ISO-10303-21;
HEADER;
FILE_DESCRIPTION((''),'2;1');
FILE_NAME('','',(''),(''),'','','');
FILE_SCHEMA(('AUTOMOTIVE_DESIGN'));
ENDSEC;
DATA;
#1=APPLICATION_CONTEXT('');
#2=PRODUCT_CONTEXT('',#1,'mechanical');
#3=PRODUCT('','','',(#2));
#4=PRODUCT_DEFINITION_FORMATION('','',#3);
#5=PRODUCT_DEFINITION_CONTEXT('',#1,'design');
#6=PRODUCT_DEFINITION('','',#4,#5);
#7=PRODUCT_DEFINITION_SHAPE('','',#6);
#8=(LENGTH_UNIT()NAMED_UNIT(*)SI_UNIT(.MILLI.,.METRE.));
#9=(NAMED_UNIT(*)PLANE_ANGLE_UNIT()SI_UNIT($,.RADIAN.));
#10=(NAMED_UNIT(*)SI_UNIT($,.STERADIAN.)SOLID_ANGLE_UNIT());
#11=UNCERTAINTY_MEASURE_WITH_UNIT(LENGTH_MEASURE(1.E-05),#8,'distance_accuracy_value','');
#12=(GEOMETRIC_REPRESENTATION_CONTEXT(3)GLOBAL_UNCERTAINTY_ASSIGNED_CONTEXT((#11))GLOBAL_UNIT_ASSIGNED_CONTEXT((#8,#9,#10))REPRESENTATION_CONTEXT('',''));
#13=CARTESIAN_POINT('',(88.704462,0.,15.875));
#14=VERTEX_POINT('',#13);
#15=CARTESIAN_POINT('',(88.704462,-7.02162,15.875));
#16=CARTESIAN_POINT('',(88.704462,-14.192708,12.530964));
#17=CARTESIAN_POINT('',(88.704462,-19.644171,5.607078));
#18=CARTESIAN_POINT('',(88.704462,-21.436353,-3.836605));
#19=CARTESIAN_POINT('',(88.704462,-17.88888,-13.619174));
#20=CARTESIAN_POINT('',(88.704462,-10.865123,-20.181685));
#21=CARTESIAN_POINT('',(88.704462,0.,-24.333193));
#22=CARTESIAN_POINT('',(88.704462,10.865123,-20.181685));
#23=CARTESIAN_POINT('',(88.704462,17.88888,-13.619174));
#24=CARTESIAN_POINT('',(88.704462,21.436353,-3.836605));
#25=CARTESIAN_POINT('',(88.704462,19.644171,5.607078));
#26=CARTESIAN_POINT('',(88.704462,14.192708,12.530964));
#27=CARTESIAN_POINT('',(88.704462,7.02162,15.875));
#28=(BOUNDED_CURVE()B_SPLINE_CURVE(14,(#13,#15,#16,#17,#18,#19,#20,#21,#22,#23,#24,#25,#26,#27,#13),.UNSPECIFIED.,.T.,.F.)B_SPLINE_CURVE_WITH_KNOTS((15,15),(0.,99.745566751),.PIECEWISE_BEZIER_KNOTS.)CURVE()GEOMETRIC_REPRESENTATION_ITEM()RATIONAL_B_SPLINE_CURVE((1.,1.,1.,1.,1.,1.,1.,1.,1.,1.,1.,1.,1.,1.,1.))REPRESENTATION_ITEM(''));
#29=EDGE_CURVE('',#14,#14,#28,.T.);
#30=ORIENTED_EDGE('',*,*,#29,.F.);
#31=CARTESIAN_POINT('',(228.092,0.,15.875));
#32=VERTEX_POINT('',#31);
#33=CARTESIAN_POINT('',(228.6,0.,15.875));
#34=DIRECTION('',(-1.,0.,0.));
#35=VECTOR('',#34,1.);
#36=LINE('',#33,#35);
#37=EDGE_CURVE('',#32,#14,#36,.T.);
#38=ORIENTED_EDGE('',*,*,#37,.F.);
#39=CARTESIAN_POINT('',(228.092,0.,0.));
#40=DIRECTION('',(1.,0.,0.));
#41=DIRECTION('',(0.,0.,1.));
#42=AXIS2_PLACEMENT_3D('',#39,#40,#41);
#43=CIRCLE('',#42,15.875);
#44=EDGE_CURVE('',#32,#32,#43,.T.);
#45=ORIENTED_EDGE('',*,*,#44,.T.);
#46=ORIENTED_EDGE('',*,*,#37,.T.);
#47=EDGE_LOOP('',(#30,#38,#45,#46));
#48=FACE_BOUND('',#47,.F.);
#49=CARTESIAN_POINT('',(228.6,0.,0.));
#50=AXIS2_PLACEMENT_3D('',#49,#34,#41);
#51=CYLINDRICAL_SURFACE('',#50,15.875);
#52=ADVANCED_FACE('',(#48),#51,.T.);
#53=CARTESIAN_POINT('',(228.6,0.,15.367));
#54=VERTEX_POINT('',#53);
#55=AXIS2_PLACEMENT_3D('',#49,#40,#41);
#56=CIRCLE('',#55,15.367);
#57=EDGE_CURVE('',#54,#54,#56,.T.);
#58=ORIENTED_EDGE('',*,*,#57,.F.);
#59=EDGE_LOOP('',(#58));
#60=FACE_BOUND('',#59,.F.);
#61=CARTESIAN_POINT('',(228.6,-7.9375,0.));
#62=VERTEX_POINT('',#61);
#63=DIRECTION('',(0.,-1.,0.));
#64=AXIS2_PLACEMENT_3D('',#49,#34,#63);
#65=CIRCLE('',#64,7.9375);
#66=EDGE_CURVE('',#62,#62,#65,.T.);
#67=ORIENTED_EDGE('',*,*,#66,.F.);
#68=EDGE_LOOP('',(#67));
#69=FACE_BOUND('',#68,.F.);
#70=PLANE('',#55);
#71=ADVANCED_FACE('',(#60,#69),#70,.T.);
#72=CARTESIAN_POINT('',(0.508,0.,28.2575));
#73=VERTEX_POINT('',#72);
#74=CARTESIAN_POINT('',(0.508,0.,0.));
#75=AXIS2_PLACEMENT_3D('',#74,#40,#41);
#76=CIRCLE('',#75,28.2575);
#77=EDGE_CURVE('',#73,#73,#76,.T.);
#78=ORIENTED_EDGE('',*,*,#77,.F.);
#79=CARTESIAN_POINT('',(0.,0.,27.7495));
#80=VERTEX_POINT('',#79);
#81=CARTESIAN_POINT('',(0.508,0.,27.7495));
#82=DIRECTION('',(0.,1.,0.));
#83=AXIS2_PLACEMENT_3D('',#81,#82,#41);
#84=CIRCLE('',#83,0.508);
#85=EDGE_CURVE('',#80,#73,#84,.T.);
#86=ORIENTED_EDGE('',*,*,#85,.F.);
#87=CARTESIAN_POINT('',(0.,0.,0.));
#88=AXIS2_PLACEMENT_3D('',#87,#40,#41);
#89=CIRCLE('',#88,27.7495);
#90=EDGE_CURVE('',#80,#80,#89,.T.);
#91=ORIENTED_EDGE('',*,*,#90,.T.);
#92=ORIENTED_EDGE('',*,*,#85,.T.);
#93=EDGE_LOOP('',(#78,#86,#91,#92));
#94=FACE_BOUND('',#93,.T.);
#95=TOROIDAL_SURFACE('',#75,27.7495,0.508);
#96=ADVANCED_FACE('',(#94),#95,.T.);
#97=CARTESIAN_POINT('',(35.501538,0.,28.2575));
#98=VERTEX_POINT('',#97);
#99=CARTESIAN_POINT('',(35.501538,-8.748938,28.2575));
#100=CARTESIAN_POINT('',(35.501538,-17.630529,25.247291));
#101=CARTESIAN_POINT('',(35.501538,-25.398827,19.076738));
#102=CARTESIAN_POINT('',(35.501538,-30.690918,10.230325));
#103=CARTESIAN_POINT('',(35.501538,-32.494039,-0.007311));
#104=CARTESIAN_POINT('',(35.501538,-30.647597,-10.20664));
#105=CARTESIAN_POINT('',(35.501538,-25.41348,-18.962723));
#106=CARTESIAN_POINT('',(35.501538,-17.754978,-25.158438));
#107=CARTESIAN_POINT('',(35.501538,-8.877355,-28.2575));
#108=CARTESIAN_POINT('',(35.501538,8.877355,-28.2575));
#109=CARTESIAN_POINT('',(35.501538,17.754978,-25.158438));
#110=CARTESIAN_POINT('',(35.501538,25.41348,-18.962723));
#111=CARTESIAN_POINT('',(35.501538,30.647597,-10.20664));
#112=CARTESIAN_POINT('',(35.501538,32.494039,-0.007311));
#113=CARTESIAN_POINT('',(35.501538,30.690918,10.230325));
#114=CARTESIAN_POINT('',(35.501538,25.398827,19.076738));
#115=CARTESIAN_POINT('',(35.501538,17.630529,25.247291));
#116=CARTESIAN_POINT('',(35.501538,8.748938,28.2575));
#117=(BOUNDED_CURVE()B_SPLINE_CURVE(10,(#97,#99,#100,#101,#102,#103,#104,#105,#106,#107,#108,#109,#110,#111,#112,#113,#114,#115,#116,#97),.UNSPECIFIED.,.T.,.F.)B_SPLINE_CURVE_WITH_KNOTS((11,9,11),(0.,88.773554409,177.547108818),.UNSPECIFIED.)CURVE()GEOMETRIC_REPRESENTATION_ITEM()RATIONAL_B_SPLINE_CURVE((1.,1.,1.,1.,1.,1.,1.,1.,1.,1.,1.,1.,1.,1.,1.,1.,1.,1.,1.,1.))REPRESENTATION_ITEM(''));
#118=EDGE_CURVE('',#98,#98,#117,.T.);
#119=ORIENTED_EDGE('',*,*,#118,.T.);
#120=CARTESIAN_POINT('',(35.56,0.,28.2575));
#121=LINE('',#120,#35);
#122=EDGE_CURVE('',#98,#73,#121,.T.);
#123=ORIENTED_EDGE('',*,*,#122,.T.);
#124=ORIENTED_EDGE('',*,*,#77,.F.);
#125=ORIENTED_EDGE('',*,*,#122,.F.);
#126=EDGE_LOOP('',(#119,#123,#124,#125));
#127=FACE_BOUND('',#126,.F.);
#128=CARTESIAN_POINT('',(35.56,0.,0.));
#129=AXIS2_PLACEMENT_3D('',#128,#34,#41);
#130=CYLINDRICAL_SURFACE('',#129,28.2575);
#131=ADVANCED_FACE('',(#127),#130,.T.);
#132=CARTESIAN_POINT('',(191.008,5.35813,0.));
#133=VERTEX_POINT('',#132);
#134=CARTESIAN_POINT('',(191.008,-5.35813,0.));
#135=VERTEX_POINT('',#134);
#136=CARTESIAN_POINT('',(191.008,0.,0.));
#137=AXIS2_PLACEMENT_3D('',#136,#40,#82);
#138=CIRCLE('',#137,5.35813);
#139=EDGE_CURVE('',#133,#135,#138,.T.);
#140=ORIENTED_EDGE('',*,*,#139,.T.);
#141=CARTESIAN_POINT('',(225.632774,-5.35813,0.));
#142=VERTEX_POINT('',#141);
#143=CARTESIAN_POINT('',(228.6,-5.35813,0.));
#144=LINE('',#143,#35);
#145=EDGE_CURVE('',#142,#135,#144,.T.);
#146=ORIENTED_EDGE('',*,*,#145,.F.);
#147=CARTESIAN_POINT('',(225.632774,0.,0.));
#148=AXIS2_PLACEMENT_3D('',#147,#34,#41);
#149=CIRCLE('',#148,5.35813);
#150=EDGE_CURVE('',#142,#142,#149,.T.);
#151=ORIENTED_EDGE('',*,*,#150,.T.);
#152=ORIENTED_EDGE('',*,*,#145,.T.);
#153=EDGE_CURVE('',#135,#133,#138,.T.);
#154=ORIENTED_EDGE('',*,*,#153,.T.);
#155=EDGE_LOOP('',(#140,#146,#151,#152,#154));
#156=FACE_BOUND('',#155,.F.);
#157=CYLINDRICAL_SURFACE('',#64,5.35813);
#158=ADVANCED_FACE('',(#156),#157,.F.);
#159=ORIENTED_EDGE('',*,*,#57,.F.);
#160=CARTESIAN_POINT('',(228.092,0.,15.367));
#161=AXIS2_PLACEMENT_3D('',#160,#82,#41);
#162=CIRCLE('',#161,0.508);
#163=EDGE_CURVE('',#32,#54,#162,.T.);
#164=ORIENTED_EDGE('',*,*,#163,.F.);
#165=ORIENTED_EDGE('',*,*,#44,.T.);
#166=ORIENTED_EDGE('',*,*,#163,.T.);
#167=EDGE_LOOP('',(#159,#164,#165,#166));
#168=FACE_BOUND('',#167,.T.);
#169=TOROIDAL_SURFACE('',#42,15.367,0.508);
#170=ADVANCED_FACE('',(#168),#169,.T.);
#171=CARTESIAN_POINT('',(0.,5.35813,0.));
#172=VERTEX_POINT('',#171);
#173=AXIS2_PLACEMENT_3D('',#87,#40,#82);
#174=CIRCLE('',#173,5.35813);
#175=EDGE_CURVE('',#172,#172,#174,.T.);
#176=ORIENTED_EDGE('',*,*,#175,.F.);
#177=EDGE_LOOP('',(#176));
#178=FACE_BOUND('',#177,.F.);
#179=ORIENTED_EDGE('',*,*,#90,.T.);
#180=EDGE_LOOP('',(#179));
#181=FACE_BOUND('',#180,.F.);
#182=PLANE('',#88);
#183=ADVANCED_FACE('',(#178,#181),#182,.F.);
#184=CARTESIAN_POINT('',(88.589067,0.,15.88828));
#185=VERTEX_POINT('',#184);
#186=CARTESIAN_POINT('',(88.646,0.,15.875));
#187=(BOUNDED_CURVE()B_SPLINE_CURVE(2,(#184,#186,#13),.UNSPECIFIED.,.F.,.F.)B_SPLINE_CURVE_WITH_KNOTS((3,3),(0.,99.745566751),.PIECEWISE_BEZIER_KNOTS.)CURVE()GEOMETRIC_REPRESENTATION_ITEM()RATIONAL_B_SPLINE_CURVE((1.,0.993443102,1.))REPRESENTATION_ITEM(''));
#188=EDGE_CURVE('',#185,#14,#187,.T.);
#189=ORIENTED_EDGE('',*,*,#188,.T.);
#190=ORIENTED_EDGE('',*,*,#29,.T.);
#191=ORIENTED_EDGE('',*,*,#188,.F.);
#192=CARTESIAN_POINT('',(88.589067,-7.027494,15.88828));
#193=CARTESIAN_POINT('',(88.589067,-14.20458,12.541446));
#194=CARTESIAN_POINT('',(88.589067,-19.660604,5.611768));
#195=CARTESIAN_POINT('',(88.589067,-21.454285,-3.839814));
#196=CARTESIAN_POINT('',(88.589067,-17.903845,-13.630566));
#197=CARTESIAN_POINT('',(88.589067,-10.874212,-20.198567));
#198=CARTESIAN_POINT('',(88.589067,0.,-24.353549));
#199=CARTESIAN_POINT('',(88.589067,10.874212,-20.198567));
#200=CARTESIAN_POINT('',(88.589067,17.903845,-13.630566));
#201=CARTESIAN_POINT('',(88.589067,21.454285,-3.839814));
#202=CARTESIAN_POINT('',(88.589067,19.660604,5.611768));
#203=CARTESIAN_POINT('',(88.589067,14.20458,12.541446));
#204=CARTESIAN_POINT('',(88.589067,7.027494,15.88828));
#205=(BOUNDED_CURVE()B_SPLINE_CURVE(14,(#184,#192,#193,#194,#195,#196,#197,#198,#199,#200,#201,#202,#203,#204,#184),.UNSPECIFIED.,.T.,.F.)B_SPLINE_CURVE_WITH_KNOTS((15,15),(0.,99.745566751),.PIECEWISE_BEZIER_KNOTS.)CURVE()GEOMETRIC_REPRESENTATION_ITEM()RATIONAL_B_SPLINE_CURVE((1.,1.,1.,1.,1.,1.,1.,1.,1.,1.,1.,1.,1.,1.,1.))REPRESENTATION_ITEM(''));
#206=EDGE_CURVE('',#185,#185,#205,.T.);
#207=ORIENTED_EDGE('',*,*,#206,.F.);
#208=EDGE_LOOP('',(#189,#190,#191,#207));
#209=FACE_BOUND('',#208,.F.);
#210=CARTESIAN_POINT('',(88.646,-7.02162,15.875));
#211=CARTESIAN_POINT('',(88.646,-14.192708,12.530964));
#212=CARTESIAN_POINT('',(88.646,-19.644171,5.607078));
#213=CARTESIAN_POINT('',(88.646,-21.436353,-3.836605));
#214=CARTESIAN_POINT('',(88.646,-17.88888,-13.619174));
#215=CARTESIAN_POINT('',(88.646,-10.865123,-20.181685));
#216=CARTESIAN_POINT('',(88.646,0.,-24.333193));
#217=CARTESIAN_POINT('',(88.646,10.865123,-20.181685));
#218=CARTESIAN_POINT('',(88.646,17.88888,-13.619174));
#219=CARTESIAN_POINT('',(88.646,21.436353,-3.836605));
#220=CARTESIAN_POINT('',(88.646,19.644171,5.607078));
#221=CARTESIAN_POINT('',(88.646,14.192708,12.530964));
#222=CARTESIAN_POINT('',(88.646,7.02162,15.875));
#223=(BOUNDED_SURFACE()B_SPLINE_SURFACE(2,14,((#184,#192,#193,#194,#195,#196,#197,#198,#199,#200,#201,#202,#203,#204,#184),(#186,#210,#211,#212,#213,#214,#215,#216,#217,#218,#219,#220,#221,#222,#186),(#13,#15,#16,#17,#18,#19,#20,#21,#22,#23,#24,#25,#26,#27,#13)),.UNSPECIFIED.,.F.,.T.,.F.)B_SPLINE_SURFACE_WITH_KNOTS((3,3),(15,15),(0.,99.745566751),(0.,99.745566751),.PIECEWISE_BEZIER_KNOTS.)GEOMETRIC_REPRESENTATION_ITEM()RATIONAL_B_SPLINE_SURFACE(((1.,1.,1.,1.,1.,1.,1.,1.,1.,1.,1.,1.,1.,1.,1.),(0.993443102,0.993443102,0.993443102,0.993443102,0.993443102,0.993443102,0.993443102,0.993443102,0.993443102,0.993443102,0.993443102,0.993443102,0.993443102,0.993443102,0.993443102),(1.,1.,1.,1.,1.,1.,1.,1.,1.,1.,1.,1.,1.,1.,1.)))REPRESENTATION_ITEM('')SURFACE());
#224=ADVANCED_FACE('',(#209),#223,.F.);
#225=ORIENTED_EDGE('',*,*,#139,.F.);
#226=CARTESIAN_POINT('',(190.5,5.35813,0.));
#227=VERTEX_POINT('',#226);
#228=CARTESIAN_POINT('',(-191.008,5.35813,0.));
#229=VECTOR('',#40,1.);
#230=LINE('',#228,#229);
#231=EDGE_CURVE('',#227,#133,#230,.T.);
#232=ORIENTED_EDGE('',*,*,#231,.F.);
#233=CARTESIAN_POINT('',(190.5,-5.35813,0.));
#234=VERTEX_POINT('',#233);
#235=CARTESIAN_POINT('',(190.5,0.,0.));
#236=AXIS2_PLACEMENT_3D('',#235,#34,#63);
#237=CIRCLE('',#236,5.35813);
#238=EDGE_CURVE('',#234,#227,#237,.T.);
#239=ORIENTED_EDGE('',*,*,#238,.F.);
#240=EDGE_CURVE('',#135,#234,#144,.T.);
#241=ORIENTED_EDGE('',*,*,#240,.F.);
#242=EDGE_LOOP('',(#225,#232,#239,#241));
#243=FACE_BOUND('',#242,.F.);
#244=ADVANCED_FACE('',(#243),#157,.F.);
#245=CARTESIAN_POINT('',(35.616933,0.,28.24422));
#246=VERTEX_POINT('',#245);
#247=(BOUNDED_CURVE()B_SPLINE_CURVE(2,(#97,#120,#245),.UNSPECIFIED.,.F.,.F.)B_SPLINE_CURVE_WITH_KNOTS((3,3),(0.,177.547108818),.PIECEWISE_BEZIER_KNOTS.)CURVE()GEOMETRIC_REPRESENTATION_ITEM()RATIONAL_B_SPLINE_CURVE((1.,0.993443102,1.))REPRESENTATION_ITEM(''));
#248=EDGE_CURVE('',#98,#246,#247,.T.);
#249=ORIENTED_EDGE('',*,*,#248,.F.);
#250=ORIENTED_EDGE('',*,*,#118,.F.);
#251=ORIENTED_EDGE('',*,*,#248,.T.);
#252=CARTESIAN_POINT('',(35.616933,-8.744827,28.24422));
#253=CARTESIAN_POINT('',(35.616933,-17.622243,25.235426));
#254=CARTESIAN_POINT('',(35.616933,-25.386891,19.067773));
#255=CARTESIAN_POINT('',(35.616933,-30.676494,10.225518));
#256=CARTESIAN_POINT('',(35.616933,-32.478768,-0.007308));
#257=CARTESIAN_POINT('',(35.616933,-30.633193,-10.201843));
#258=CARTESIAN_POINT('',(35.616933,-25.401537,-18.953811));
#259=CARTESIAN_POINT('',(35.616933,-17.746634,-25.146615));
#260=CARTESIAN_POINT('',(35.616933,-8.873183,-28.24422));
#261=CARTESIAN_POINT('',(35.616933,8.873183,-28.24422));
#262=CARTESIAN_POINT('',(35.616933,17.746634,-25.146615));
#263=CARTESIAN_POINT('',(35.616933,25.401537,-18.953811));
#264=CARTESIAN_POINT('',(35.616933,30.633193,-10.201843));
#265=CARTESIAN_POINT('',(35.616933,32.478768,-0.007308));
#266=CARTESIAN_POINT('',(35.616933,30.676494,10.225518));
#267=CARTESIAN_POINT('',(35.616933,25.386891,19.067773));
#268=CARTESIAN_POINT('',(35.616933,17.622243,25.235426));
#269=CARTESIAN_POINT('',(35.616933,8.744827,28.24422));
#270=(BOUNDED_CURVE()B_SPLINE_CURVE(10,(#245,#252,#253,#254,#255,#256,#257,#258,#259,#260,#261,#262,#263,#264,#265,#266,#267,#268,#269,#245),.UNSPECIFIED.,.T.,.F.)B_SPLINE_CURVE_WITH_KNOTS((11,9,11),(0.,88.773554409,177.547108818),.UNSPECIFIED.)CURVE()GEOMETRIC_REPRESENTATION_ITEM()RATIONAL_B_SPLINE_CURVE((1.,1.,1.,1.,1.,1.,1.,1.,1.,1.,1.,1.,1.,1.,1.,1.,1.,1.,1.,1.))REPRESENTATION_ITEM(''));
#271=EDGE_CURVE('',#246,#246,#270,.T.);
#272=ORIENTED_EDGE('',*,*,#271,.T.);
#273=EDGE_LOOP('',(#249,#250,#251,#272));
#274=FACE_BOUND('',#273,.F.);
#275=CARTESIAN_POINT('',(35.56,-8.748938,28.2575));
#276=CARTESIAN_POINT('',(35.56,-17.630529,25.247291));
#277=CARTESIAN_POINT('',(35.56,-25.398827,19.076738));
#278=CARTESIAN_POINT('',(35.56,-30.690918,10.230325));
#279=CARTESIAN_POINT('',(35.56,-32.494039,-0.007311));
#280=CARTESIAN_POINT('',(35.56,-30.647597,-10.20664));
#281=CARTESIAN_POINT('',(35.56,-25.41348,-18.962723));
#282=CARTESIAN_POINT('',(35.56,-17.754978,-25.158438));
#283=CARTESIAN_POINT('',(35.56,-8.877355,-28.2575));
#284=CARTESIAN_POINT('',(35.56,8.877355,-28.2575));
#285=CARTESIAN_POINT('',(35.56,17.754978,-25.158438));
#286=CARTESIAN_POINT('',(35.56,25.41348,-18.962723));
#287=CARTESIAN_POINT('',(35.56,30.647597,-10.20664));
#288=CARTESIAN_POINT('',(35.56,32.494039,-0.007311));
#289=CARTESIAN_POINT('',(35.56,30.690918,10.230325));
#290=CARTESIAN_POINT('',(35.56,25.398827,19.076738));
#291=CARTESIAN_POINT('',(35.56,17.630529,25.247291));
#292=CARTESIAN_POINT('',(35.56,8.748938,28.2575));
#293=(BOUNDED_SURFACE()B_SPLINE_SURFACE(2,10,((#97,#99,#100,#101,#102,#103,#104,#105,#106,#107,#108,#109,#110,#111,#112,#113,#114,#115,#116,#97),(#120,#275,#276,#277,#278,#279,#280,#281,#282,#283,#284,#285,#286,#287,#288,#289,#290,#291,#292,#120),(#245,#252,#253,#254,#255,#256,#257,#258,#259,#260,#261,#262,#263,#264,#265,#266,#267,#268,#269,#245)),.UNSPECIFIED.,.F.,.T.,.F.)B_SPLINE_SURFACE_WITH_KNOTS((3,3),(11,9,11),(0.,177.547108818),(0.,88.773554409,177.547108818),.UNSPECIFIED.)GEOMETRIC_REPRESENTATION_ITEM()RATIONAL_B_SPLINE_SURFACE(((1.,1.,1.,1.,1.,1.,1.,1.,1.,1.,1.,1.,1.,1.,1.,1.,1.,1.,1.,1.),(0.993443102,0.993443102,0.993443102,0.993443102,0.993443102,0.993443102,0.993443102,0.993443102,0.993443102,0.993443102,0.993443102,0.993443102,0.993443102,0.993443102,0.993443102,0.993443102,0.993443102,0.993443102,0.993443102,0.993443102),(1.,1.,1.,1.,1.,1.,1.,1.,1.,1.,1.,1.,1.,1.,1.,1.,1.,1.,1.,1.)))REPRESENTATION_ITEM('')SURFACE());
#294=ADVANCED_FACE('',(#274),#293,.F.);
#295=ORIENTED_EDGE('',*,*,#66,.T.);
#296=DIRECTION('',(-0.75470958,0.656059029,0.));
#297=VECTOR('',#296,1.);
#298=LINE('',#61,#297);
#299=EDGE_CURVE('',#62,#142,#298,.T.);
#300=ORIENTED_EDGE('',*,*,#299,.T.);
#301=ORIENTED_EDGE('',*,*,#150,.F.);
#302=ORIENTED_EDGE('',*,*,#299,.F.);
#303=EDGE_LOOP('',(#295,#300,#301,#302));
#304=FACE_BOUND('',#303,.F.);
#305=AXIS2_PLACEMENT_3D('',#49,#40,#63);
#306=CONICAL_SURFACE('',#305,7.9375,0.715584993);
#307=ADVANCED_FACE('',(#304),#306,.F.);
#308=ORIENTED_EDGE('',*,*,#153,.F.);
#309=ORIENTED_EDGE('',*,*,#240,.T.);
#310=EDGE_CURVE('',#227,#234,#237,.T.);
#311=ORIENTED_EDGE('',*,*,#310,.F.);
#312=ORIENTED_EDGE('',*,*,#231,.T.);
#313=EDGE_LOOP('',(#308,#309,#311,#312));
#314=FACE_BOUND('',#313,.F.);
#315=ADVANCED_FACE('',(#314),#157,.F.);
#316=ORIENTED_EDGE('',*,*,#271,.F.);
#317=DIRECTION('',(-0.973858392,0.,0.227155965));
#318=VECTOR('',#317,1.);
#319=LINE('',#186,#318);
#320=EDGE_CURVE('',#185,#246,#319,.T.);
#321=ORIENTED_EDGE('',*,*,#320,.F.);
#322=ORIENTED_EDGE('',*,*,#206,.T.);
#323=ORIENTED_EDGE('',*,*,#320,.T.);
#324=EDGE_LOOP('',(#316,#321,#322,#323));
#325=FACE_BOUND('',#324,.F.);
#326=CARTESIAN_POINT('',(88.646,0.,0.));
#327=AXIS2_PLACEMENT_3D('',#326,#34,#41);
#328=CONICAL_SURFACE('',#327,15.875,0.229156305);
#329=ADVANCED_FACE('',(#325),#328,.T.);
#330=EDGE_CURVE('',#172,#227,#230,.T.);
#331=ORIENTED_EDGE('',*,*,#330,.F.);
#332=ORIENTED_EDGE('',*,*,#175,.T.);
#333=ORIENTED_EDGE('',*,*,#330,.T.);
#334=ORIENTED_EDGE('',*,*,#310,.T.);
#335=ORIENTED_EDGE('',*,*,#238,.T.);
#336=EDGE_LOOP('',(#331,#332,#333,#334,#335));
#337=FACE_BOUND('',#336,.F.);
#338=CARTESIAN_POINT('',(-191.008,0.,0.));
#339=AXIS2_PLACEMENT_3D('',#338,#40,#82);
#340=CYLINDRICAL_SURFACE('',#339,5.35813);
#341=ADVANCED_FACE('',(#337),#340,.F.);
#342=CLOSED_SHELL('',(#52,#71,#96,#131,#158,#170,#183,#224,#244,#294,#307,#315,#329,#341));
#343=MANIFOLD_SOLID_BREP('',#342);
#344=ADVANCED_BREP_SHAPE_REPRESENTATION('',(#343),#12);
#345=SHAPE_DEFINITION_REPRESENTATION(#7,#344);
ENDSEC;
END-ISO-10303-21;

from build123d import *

# Parameters (mm, degrees)
F3_D           = 10.71626
F3_DEPTH       = 38.1
F3_CSINK_D     = 15.875
F3_CSINK_ANGLE = 82
F3_TIP         = 3.2194893086
F5_D           = 10.71626
F5_DEPTH       = 191.008
F5_TIP         = 3.2194893086
F6_R           = 0.508


with BuildPart() as f1:
    # F0 (on Front) → F1 (revolve)
    with BuildSketch(Plane.XZ):
        Polygon((0, 28.2575), (0, 0), (228.6, 0), (228.6, 15.875), (88.646, 15.875), (35.56, 28.2575), align=None)
    revolve(axis=Axis((114.3, 0, 0), (1, 0, 0)))

    # F3
    with Locations(Plane.YZ.offset(228.6)):
        with Locations((0, 0)):
            CounterSinkHole(F3_D / 2, F3_CSINK_D / 2, depth=F3_DEPTH, counter_sink_angle=F3_CSINK_ANGLE)
            with Locations((0, 0, -(F3_DEPTH + F3_TIP / 2))):  # 118° drill point
                Cone(0, F3_D / 2, F3_TIP, mode=Mode.SUBTRACT)

    # F5
    with Locations(Plane(origin=(0, 0, 0), x_dir=(0, -1, 0), z_dir=(-1, 0, 0))):
        with Locations((0, 0)):
            Hole(F5_D / 2, depth=F5_DEPTH)
            with Locations((0, 0, -(F5_DEPTH + F5_TIP / 2))):  # 118° drill point
                Cone(0, F5_D / 2, F5_TIP, mode=Mode.SUBTRACT)

    # F6
    f6_edges = [f1.edges().sort_by_distance(p)[0] for p in [
        (0, 0, -28.2575),
        (35.56, 0, -28.2575),
        (88.646, 0, -15.875),
        (228.6, 0, -15.875),
    ]]
    fillet(f6_edges, radius=F6_R)


solid = f1.part
